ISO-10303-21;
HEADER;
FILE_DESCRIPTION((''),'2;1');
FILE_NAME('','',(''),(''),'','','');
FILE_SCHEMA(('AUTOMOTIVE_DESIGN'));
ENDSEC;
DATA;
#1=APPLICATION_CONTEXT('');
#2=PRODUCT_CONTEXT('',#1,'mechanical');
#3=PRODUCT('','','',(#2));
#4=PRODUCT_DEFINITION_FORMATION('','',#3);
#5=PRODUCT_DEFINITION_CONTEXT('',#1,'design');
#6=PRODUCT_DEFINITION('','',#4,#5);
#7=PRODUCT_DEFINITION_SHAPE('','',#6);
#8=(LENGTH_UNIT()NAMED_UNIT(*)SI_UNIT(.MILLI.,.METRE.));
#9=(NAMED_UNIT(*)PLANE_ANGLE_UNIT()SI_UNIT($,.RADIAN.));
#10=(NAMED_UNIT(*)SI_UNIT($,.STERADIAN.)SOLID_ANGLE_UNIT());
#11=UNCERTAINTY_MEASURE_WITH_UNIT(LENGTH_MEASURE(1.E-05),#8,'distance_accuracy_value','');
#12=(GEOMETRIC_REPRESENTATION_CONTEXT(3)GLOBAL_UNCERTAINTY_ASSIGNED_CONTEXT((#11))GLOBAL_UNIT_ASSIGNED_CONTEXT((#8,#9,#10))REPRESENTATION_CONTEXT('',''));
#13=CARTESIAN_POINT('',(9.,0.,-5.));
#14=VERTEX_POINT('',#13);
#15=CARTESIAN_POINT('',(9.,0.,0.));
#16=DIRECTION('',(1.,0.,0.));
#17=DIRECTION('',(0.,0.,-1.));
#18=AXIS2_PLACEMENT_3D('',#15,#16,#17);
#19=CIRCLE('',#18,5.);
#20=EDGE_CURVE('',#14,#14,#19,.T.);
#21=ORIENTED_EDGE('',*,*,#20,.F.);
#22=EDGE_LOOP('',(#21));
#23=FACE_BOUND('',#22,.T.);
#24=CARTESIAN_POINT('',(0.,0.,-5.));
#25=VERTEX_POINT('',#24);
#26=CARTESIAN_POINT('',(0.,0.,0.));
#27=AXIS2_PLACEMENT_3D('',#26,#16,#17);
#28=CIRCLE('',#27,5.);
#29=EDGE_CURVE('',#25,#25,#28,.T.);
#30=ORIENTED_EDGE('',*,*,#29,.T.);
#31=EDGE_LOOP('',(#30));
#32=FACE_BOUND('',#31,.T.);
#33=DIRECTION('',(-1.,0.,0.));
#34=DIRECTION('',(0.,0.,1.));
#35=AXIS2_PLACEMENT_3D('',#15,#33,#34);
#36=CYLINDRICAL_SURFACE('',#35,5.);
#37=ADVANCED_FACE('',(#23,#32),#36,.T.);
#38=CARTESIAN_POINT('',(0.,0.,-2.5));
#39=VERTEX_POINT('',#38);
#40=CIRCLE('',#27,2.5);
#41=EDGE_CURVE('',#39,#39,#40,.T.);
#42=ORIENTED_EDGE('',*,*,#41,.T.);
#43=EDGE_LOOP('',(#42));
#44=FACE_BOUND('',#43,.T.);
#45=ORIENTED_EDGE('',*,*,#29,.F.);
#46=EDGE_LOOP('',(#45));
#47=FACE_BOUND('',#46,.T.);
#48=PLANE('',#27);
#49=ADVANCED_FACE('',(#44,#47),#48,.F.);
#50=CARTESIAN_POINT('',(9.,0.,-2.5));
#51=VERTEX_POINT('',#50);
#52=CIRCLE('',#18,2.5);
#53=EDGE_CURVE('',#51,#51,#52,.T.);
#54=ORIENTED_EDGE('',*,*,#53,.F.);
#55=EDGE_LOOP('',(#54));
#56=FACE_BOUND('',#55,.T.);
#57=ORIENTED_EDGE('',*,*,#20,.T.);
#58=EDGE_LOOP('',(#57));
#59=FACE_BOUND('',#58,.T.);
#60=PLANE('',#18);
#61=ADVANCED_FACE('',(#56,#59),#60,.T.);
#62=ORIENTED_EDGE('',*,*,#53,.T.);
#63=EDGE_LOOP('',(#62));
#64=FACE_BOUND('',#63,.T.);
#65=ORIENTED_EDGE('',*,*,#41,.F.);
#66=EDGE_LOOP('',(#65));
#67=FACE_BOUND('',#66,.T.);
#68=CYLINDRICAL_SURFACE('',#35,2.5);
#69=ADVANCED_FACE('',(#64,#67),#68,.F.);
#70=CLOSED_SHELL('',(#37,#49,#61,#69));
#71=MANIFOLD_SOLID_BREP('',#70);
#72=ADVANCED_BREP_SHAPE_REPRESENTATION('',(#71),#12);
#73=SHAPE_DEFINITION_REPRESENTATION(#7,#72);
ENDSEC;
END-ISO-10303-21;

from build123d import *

# Parameters (mm, degrees)
SKETCH1_R           = 5
SKETCH1_R_2         = 2.5
BOSS_EXTRUDE1_DEPTH = 9


with BuildPart() as part:
    # Sketch1 → Boss-Extrude1 (new body)
    with BuildSketch(Plane(origin=(0, 0, 0), x_dir=(0, 0, -1), z_dir=(1, 0, 0))):
        Circle(SKETCH1_R)
        Circle(SKETCH1_R_2, mode=Mode.SUBTRACT)
    extrude(amount=BOSS_EXTRUDE1_DEPTH)


solid = part.part
